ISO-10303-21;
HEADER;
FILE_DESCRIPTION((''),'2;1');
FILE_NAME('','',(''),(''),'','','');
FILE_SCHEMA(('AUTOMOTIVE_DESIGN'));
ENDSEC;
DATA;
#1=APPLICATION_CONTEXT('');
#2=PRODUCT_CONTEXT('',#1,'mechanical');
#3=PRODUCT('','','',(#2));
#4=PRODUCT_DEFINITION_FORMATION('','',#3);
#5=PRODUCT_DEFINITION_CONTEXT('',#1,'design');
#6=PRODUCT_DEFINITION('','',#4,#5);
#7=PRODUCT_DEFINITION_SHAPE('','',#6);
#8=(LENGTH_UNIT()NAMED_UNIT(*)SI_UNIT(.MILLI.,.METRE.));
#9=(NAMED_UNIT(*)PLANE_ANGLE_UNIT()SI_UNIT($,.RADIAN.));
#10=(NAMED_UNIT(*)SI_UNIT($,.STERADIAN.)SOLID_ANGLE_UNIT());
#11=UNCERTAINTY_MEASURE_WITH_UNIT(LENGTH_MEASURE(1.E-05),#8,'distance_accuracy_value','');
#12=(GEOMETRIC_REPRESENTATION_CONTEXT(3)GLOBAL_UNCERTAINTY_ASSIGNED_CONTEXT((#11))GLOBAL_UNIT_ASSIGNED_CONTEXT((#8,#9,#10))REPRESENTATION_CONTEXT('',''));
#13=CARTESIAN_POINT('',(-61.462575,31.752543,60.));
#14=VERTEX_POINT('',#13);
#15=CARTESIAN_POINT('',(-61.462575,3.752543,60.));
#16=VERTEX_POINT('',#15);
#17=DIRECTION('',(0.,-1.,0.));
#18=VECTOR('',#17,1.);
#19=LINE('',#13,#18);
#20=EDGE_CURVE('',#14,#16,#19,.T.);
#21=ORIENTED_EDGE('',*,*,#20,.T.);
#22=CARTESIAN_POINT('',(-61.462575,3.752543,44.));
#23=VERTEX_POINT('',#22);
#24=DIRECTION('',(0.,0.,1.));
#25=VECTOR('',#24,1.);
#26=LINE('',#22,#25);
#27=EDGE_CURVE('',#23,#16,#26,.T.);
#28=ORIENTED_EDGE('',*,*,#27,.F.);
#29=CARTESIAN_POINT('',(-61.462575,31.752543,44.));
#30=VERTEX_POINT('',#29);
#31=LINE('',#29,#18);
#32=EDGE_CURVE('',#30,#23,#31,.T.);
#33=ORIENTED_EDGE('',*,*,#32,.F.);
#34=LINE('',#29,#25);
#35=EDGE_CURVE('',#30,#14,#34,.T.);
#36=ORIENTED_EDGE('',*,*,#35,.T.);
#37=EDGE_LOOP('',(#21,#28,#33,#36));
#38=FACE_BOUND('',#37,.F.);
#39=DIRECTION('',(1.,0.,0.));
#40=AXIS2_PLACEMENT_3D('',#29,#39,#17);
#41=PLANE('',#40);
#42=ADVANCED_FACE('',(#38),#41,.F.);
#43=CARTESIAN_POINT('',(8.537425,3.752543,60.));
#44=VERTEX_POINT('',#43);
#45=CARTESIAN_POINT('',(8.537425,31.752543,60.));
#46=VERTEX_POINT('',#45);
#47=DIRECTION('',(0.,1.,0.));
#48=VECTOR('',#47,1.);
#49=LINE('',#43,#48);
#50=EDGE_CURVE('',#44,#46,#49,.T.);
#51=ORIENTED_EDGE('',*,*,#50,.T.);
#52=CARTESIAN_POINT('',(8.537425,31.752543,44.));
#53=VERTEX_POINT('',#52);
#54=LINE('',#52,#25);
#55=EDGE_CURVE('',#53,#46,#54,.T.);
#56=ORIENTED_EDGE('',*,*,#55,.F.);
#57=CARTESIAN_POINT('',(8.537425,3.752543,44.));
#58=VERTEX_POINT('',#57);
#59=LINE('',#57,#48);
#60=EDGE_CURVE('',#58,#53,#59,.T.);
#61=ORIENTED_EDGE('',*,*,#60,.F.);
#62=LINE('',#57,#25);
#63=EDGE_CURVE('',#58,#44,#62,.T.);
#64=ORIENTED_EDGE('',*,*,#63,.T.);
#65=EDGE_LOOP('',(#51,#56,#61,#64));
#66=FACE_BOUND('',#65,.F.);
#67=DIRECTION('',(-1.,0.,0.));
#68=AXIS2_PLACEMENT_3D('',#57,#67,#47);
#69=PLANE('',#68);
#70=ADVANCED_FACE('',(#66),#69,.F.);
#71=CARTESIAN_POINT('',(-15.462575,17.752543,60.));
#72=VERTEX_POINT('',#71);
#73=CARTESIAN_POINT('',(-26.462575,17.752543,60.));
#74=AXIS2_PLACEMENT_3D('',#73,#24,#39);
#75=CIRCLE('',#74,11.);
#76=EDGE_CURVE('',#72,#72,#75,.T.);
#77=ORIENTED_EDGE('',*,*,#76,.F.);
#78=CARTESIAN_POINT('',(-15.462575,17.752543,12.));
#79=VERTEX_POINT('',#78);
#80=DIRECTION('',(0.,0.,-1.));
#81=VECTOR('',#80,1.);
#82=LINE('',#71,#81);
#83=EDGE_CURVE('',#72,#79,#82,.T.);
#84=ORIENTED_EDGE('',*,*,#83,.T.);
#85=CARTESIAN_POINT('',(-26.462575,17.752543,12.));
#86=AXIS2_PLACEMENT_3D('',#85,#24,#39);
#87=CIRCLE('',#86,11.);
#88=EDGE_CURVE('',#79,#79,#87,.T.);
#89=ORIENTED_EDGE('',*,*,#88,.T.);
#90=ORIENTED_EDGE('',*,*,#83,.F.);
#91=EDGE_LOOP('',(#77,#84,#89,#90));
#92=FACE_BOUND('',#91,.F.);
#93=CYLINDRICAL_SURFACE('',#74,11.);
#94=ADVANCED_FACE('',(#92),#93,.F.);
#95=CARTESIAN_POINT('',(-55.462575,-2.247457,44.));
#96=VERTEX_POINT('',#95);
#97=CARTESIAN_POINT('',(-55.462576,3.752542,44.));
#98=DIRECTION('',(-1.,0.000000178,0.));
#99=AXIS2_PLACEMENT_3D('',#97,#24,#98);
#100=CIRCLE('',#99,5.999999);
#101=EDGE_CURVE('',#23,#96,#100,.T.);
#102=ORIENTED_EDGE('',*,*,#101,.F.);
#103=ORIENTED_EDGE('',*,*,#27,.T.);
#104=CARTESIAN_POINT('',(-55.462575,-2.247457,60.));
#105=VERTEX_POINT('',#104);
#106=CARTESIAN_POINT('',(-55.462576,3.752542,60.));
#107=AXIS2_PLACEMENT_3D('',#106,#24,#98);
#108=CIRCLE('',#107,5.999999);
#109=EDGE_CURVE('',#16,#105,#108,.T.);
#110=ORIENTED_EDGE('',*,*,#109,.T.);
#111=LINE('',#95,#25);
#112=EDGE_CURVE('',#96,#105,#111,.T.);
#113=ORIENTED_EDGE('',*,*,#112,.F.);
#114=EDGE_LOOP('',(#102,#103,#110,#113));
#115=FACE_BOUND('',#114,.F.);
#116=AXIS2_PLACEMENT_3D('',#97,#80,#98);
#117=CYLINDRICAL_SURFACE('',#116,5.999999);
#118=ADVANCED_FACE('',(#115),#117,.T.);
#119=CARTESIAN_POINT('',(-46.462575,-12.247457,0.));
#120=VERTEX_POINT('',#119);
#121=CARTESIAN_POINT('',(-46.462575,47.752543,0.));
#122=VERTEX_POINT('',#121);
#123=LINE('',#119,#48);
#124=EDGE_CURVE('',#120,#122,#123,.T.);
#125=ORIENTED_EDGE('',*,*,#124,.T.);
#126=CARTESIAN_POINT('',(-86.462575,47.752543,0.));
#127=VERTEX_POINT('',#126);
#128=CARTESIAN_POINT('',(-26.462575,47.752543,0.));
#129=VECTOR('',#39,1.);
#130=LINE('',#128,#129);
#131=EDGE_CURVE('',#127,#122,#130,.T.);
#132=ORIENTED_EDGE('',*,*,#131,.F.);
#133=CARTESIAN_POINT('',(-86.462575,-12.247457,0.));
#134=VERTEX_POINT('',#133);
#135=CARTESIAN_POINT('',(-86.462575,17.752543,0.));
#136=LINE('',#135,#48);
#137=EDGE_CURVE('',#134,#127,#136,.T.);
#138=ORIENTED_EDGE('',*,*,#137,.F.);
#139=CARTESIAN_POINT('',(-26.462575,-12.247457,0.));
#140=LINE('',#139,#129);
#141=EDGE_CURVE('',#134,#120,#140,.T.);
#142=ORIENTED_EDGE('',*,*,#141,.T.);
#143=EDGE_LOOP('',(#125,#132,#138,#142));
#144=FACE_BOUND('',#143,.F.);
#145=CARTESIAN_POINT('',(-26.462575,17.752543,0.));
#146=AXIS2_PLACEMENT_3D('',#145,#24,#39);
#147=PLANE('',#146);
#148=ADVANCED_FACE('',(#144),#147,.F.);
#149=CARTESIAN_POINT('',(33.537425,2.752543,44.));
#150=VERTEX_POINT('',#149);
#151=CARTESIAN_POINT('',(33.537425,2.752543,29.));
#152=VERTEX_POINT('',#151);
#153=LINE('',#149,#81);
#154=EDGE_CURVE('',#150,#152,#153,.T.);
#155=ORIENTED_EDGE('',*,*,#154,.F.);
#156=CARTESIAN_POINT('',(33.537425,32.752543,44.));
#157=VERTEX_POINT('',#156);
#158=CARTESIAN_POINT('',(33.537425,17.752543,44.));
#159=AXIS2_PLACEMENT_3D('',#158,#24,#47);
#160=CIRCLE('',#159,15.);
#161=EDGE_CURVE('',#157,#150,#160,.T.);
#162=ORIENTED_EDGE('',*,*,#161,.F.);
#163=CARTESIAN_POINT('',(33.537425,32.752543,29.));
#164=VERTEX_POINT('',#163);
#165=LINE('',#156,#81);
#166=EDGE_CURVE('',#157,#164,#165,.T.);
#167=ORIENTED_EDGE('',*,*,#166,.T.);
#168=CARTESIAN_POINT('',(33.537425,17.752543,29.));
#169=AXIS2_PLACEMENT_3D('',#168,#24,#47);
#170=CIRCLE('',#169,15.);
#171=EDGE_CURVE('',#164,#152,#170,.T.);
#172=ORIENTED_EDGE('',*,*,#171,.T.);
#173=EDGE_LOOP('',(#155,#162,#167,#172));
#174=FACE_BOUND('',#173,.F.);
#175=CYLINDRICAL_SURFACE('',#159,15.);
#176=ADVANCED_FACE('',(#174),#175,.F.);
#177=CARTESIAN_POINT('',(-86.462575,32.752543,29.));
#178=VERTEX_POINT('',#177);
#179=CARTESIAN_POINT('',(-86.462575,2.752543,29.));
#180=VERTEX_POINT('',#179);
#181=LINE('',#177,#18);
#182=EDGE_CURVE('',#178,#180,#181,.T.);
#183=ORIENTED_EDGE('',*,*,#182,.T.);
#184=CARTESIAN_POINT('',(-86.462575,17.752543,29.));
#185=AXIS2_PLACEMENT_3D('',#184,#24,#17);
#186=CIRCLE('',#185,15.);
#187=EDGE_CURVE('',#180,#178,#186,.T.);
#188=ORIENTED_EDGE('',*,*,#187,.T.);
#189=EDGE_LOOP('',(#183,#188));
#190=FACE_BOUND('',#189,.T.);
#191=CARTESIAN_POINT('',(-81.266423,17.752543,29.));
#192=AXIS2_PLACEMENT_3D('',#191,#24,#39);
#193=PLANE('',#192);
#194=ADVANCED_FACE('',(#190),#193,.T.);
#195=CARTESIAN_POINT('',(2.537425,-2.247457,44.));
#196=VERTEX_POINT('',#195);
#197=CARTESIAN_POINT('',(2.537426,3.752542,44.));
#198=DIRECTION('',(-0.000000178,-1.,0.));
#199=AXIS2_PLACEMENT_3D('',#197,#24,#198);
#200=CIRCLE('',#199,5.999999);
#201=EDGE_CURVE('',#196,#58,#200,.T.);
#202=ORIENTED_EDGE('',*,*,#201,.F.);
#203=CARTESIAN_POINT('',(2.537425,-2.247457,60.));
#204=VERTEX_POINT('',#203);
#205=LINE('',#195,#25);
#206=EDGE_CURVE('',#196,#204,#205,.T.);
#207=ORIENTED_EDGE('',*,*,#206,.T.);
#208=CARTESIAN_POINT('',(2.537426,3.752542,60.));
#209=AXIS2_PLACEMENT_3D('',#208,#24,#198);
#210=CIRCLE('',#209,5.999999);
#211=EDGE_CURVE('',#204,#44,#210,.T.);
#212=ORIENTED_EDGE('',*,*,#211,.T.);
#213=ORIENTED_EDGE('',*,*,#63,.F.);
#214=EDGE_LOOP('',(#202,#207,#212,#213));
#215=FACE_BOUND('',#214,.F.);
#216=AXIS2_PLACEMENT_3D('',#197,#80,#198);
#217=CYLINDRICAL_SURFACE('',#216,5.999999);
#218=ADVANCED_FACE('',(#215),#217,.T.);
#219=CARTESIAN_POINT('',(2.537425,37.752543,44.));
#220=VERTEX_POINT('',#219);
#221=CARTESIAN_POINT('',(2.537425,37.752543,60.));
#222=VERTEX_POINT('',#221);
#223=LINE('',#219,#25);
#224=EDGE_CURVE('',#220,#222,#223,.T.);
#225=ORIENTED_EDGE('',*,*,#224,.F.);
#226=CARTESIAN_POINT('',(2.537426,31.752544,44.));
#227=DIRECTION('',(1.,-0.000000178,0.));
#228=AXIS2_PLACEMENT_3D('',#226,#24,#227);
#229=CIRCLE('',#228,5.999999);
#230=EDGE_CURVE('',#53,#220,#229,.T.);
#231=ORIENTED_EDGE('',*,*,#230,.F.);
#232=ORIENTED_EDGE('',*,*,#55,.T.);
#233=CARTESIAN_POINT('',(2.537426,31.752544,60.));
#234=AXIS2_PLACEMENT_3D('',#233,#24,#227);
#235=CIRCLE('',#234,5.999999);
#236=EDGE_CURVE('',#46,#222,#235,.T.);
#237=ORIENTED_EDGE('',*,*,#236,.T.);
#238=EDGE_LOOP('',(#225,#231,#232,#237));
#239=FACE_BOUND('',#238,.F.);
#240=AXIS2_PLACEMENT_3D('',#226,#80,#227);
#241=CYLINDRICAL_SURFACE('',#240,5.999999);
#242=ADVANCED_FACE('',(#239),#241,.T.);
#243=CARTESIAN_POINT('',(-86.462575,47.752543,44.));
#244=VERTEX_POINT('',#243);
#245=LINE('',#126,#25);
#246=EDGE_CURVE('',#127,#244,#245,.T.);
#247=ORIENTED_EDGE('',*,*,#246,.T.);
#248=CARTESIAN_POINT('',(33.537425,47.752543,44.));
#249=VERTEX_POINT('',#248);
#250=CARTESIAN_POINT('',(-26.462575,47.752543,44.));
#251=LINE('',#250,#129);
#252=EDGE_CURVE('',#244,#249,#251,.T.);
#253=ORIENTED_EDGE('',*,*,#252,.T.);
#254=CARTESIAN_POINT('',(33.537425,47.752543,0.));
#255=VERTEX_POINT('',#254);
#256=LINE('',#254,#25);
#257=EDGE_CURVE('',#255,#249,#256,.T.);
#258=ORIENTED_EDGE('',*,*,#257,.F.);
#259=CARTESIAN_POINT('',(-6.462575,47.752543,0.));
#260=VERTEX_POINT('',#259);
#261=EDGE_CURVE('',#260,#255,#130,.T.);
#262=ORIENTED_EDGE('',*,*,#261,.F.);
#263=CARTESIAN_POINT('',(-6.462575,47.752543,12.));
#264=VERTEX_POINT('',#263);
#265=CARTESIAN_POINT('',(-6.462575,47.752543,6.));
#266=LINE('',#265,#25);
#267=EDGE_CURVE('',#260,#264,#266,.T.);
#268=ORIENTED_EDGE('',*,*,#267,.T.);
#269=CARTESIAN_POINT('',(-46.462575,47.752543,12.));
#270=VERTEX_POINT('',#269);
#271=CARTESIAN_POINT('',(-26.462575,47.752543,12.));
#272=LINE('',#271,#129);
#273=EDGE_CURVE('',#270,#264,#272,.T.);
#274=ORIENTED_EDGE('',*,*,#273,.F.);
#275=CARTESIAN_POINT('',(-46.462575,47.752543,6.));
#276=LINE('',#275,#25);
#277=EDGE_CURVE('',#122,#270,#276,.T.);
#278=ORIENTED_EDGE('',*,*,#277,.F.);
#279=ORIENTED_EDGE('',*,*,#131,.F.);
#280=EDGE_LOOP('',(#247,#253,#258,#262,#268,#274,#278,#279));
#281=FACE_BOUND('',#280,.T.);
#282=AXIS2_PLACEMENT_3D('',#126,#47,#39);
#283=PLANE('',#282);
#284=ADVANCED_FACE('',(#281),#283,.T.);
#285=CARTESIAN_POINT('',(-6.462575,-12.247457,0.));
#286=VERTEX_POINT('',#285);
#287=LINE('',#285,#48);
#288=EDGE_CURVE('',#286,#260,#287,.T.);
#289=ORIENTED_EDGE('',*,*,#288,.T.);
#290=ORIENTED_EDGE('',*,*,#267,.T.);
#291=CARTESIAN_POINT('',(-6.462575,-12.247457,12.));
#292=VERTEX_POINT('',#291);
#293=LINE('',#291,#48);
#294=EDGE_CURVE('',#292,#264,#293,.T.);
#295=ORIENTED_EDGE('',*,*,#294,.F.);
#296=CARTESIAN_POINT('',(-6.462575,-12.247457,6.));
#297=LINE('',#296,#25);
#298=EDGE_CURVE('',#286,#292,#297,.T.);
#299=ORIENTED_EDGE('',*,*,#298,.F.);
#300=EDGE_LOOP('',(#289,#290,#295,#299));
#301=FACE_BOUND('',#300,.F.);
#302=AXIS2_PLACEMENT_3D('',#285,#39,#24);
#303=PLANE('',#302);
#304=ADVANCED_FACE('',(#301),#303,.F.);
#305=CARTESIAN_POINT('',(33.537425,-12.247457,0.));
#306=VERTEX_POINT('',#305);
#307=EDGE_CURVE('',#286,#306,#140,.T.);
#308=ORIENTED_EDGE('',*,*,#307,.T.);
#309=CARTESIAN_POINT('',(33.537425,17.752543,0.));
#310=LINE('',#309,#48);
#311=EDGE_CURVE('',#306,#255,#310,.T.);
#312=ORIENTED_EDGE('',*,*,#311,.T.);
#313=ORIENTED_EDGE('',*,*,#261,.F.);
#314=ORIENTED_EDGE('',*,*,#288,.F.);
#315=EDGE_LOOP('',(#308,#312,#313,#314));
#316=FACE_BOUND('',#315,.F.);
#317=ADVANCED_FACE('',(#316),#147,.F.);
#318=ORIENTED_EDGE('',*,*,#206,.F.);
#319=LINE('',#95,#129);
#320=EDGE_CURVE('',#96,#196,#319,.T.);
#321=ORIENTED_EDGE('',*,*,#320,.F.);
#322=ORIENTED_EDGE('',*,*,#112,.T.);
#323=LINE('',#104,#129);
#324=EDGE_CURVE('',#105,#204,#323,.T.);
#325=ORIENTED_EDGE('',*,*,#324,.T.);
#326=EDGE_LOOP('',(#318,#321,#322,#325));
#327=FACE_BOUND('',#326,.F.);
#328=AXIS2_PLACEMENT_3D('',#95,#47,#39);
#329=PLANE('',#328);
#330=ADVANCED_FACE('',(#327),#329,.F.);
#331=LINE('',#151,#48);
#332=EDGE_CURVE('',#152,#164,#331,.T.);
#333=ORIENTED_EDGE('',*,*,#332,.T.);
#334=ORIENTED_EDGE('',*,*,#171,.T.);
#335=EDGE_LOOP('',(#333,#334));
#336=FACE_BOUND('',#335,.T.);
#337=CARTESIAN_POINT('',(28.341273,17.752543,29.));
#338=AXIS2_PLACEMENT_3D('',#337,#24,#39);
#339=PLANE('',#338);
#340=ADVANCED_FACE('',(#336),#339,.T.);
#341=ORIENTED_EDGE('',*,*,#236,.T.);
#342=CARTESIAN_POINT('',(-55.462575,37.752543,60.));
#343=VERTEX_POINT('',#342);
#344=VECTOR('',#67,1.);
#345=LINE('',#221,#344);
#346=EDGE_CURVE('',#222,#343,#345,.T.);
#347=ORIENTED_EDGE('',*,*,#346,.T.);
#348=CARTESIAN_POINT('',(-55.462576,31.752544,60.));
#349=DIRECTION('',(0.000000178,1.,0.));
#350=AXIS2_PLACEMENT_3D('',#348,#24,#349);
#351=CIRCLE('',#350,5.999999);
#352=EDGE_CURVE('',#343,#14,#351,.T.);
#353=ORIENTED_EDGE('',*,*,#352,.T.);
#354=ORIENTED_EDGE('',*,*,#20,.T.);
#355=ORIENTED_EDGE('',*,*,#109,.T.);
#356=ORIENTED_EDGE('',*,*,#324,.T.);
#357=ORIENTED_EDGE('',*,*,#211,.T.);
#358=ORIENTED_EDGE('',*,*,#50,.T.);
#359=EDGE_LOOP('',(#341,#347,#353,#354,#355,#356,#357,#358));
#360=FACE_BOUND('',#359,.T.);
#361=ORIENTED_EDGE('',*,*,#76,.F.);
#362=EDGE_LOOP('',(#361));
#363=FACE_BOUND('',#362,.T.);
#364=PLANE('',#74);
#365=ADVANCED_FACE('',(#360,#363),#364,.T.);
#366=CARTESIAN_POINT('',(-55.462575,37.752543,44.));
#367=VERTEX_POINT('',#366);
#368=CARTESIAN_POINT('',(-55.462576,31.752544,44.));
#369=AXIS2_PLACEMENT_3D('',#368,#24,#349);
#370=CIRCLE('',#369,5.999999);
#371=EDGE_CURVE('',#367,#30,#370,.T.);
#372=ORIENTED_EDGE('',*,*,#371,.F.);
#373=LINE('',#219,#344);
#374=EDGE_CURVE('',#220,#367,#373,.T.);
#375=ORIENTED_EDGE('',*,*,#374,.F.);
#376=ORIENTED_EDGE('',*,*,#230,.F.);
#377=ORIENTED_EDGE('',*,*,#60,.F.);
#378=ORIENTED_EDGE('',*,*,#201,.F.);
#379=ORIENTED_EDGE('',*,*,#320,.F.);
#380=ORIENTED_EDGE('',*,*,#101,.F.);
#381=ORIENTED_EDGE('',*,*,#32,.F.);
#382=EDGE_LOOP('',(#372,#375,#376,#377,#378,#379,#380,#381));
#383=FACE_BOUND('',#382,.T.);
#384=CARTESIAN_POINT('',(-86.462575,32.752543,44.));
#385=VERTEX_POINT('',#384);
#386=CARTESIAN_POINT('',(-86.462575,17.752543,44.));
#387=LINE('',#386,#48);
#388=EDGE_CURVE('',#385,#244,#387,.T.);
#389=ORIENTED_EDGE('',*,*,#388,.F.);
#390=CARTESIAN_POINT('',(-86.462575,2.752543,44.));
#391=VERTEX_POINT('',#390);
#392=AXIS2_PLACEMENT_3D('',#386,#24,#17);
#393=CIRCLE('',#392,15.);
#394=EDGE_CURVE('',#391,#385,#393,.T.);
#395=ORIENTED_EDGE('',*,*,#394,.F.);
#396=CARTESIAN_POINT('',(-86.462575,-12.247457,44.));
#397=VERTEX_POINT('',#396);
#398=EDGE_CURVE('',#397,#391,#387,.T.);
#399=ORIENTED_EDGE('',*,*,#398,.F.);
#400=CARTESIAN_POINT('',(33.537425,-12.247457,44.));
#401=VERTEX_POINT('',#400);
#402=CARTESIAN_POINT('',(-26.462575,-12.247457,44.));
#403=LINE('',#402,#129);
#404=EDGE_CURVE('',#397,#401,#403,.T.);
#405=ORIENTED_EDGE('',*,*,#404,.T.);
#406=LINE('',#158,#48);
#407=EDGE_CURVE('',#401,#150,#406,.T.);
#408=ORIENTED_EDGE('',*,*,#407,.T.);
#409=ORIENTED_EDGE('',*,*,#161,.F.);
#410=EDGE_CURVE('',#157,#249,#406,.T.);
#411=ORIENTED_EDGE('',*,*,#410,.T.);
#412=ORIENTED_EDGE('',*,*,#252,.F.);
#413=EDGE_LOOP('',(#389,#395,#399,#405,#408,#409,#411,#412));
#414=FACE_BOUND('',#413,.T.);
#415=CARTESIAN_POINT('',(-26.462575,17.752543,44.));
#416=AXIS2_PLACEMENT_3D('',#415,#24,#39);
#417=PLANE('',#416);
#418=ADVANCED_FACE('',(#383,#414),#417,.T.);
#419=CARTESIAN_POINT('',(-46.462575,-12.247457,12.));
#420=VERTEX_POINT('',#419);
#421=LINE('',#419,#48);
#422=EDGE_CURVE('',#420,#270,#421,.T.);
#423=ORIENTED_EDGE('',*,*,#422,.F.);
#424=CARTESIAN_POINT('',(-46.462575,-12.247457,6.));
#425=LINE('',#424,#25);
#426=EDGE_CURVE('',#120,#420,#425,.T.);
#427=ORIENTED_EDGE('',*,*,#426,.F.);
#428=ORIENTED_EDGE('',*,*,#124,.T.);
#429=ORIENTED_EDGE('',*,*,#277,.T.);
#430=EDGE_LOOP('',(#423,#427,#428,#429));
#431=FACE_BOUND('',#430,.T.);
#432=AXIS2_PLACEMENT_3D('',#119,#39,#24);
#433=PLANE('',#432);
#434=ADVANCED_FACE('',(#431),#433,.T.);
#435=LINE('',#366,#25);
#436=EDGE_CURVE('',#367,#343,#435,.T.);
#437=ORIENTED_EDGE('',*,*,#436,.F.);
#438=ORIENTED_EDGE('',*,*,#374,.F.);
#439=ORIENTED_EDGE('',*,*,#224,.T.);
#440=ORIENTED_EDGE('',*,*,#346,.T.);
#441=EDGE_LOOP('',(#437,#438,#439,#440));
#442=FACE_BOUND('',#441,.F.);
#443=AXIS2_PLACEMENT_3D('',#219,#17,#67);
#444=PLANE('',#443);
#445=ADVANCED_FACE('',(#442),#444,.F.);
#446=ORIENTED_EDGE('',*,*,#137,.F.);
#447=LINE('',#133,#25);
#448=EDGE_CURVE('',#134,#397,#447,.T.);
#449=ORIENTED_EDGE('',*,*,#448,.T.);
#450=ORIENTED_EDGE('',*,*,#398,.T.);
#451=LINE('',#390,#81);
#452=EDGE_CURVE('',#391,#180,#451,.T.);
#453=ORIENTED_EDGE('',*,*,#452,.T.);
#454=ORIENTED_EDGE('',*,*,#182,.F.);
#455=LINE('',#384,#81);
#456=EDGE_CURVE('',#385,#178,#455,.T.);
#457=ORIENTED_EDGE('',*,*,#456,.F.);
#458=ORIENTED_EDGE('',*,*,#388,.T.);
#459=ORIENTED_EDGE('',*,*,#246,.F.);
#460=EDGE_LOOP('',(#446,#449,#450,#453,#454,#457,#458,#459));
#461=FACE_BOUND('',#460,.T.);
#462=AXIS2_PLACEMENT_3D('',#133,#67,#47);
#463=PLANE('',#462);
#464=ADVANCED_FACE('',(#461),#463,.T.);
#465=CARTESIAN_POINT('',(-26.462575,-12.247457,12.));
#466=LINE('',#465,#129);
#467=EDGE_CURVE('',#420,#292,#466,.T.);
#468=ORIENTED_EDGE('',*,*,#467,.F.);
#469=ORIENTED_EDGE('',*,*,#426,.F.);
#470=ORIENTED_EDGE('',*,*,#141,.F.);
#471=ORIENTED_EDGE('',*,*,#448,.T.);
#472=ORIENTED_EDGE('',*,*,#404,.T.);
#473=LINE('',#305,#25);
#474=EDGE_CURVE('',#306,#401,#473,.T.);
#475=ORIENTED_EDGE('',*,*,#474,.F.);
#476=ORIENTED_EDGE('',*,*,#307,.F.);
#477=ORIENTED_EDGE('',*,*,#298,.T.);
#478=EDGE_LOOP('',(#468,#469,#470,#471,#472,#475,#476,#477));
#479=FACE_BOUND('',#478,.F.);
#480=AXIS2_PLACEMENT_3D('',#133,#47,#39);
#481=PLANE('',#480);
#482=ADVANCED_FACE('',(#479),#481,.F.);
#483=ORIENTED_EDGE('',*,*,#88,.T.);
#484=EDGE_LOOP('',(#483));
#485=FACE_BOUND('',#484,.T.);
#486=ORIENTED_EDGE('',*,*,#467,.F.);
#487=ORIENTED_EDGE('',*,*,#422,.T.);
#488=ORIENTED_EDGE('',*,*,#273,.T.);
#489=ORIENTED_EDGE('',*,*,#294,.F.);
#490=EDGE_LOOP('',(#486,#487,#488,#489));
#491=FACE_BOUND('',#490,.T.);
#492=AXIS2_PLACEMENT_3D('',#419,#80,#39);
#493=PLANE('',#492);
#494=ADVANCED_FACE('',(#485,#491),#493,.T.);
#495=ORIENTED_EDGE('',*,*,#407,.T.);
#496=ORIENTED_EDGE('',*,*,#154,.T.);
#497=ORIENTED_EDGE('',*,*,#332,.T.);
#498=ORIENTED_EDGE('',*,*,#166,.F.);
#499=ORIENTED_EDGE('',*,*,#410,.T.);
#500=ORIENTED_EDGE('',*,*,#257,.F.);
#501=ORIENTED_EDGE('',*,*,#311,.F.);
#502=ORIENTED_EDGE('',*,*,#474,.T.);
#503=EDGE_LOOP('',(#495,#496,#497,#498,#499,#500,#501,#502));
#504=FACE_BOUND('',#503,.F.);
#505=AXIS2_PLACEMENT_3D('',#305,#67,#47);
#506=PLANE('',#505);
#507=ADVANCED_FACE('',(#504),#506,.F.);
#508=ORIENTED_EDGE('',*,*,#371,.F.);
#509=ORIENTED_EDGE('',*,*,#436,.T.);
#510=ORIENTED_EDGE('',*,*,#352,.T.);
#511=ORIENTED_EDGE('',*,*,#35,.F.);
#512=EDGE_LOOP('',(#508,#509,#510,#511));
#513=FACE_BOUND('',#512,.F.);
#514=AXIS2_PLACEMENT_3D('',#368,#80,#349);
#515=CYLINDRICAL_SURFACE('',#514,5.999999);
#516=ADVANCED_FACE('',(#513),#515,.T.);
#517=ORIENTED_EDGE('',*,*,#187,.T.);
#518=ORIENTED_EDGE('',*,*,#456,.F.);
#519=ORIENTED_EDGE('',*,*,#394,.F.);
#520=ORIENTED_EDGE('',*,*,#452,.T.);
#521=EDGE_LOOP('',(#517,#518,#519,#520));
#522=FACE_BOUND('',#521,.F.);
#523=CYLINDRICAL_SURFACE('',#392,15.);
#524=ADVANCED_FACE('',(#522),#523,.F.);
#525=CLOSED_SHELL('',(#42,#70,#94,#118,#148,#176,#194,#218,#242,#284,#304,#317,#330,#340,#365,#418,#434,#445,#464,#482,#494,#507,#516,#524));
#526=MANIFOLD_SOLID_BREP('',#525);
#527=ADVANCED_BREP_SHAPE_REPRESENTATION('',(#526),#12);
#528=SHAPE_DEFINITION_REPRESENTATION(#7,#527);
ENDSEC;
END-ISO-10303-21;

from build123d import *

# Parameters (mm, degrees)
F0_W     = 120
F0_H     = 60
F1_DEPTH = 44
F3_DEPTH = 16
F5_DEPTH = 15
F6_W     = 40
F6_H     = 12
F7_DEPTH = 60
F8_R     = 11
F9_DEPTH = 60.001


with BuildPart() as f1:
    # F0 (on Top) → F1 (new body)
    with BuildSketch(Plane.XY):
        with Locations((-26.462575, 17.752543)):
            Rectangle(F0_W, F0_H)
    extrude(amount=F1_DEPTH)

    # F2 (on face) → F3 (join)
    with BuildSketch(Plane.XY.offset(44)):
        with BuildLine():
            ThreePointArc((-61.462575, 3.752543), (-59.705216, -0.490098), (-55.462575, -2.247457))
            Line((-55.462575, -2.247457), (2.537425, -2.247457))
            ThreePointArc((2.537425, -2.247457), (6.780066, -0.490098), (8.537425, 3.752543))
            Line((8.537425, 3.752543), (8.537425, 31.752543))
            ThreePointArc((8.537425, 31.752543), (6.780066, 35.995184), (2.537425, 37.752543))
            Line((2.537425, 37.752543), (-55.462575, 37.752543))
            ThreePointArc((-55.462575, 37.752543), (-59.705216, 35.995184), (-61.462575, 31.752543))
            Line((-61.462575, 31.752543), (-61.462575, 3.752543))
        make_face()
    extrude(amount=F3_DEPTH)

    # F4 (on face) → F5 (cut)
    with BuildSketch(Plane.XY.offset(44)):
        with BuildLine():
            Line((33.537425, 2.752543), (33.537425, 32.752543))
            ThreePointArc((33.537425, 32.752543), (18.537425, 17.752543), (33.537425, 2.752543))
        make_face()
        with BuildLine():
            Line((-86.462575, 32.752543), (-86.462575, 2.752543))
            ThreePointArc((-86.462575, 2.752543), (-71.462575, 17.752543), (-86.462575, 32.752543))
        make_face()
    extrude(amount=-F5_DEPTH, mode=Mode.SUBTRACT)

    # F6 (on face) → F7 (cut)
    with BuildSketch(Plane.XZ.offset(12.247457)):
        with Locations((-26.462575, 6)):
            Rectangle(F6_W, F6_H)
    extrude(amount=-F7_DEPTH, mode=Mode.SUBTRACT)

    # F8 (on face) → F9 (cut, through all)
    with BuildSketch(Plane.XY.offset(60)):
        with Locations((-26.462575, 17.752543)):
            Circle(F8_R)
    extrude(amount=-F9_DEPTH, mode=Mode.SUBTRACT)


solid = f1.part
